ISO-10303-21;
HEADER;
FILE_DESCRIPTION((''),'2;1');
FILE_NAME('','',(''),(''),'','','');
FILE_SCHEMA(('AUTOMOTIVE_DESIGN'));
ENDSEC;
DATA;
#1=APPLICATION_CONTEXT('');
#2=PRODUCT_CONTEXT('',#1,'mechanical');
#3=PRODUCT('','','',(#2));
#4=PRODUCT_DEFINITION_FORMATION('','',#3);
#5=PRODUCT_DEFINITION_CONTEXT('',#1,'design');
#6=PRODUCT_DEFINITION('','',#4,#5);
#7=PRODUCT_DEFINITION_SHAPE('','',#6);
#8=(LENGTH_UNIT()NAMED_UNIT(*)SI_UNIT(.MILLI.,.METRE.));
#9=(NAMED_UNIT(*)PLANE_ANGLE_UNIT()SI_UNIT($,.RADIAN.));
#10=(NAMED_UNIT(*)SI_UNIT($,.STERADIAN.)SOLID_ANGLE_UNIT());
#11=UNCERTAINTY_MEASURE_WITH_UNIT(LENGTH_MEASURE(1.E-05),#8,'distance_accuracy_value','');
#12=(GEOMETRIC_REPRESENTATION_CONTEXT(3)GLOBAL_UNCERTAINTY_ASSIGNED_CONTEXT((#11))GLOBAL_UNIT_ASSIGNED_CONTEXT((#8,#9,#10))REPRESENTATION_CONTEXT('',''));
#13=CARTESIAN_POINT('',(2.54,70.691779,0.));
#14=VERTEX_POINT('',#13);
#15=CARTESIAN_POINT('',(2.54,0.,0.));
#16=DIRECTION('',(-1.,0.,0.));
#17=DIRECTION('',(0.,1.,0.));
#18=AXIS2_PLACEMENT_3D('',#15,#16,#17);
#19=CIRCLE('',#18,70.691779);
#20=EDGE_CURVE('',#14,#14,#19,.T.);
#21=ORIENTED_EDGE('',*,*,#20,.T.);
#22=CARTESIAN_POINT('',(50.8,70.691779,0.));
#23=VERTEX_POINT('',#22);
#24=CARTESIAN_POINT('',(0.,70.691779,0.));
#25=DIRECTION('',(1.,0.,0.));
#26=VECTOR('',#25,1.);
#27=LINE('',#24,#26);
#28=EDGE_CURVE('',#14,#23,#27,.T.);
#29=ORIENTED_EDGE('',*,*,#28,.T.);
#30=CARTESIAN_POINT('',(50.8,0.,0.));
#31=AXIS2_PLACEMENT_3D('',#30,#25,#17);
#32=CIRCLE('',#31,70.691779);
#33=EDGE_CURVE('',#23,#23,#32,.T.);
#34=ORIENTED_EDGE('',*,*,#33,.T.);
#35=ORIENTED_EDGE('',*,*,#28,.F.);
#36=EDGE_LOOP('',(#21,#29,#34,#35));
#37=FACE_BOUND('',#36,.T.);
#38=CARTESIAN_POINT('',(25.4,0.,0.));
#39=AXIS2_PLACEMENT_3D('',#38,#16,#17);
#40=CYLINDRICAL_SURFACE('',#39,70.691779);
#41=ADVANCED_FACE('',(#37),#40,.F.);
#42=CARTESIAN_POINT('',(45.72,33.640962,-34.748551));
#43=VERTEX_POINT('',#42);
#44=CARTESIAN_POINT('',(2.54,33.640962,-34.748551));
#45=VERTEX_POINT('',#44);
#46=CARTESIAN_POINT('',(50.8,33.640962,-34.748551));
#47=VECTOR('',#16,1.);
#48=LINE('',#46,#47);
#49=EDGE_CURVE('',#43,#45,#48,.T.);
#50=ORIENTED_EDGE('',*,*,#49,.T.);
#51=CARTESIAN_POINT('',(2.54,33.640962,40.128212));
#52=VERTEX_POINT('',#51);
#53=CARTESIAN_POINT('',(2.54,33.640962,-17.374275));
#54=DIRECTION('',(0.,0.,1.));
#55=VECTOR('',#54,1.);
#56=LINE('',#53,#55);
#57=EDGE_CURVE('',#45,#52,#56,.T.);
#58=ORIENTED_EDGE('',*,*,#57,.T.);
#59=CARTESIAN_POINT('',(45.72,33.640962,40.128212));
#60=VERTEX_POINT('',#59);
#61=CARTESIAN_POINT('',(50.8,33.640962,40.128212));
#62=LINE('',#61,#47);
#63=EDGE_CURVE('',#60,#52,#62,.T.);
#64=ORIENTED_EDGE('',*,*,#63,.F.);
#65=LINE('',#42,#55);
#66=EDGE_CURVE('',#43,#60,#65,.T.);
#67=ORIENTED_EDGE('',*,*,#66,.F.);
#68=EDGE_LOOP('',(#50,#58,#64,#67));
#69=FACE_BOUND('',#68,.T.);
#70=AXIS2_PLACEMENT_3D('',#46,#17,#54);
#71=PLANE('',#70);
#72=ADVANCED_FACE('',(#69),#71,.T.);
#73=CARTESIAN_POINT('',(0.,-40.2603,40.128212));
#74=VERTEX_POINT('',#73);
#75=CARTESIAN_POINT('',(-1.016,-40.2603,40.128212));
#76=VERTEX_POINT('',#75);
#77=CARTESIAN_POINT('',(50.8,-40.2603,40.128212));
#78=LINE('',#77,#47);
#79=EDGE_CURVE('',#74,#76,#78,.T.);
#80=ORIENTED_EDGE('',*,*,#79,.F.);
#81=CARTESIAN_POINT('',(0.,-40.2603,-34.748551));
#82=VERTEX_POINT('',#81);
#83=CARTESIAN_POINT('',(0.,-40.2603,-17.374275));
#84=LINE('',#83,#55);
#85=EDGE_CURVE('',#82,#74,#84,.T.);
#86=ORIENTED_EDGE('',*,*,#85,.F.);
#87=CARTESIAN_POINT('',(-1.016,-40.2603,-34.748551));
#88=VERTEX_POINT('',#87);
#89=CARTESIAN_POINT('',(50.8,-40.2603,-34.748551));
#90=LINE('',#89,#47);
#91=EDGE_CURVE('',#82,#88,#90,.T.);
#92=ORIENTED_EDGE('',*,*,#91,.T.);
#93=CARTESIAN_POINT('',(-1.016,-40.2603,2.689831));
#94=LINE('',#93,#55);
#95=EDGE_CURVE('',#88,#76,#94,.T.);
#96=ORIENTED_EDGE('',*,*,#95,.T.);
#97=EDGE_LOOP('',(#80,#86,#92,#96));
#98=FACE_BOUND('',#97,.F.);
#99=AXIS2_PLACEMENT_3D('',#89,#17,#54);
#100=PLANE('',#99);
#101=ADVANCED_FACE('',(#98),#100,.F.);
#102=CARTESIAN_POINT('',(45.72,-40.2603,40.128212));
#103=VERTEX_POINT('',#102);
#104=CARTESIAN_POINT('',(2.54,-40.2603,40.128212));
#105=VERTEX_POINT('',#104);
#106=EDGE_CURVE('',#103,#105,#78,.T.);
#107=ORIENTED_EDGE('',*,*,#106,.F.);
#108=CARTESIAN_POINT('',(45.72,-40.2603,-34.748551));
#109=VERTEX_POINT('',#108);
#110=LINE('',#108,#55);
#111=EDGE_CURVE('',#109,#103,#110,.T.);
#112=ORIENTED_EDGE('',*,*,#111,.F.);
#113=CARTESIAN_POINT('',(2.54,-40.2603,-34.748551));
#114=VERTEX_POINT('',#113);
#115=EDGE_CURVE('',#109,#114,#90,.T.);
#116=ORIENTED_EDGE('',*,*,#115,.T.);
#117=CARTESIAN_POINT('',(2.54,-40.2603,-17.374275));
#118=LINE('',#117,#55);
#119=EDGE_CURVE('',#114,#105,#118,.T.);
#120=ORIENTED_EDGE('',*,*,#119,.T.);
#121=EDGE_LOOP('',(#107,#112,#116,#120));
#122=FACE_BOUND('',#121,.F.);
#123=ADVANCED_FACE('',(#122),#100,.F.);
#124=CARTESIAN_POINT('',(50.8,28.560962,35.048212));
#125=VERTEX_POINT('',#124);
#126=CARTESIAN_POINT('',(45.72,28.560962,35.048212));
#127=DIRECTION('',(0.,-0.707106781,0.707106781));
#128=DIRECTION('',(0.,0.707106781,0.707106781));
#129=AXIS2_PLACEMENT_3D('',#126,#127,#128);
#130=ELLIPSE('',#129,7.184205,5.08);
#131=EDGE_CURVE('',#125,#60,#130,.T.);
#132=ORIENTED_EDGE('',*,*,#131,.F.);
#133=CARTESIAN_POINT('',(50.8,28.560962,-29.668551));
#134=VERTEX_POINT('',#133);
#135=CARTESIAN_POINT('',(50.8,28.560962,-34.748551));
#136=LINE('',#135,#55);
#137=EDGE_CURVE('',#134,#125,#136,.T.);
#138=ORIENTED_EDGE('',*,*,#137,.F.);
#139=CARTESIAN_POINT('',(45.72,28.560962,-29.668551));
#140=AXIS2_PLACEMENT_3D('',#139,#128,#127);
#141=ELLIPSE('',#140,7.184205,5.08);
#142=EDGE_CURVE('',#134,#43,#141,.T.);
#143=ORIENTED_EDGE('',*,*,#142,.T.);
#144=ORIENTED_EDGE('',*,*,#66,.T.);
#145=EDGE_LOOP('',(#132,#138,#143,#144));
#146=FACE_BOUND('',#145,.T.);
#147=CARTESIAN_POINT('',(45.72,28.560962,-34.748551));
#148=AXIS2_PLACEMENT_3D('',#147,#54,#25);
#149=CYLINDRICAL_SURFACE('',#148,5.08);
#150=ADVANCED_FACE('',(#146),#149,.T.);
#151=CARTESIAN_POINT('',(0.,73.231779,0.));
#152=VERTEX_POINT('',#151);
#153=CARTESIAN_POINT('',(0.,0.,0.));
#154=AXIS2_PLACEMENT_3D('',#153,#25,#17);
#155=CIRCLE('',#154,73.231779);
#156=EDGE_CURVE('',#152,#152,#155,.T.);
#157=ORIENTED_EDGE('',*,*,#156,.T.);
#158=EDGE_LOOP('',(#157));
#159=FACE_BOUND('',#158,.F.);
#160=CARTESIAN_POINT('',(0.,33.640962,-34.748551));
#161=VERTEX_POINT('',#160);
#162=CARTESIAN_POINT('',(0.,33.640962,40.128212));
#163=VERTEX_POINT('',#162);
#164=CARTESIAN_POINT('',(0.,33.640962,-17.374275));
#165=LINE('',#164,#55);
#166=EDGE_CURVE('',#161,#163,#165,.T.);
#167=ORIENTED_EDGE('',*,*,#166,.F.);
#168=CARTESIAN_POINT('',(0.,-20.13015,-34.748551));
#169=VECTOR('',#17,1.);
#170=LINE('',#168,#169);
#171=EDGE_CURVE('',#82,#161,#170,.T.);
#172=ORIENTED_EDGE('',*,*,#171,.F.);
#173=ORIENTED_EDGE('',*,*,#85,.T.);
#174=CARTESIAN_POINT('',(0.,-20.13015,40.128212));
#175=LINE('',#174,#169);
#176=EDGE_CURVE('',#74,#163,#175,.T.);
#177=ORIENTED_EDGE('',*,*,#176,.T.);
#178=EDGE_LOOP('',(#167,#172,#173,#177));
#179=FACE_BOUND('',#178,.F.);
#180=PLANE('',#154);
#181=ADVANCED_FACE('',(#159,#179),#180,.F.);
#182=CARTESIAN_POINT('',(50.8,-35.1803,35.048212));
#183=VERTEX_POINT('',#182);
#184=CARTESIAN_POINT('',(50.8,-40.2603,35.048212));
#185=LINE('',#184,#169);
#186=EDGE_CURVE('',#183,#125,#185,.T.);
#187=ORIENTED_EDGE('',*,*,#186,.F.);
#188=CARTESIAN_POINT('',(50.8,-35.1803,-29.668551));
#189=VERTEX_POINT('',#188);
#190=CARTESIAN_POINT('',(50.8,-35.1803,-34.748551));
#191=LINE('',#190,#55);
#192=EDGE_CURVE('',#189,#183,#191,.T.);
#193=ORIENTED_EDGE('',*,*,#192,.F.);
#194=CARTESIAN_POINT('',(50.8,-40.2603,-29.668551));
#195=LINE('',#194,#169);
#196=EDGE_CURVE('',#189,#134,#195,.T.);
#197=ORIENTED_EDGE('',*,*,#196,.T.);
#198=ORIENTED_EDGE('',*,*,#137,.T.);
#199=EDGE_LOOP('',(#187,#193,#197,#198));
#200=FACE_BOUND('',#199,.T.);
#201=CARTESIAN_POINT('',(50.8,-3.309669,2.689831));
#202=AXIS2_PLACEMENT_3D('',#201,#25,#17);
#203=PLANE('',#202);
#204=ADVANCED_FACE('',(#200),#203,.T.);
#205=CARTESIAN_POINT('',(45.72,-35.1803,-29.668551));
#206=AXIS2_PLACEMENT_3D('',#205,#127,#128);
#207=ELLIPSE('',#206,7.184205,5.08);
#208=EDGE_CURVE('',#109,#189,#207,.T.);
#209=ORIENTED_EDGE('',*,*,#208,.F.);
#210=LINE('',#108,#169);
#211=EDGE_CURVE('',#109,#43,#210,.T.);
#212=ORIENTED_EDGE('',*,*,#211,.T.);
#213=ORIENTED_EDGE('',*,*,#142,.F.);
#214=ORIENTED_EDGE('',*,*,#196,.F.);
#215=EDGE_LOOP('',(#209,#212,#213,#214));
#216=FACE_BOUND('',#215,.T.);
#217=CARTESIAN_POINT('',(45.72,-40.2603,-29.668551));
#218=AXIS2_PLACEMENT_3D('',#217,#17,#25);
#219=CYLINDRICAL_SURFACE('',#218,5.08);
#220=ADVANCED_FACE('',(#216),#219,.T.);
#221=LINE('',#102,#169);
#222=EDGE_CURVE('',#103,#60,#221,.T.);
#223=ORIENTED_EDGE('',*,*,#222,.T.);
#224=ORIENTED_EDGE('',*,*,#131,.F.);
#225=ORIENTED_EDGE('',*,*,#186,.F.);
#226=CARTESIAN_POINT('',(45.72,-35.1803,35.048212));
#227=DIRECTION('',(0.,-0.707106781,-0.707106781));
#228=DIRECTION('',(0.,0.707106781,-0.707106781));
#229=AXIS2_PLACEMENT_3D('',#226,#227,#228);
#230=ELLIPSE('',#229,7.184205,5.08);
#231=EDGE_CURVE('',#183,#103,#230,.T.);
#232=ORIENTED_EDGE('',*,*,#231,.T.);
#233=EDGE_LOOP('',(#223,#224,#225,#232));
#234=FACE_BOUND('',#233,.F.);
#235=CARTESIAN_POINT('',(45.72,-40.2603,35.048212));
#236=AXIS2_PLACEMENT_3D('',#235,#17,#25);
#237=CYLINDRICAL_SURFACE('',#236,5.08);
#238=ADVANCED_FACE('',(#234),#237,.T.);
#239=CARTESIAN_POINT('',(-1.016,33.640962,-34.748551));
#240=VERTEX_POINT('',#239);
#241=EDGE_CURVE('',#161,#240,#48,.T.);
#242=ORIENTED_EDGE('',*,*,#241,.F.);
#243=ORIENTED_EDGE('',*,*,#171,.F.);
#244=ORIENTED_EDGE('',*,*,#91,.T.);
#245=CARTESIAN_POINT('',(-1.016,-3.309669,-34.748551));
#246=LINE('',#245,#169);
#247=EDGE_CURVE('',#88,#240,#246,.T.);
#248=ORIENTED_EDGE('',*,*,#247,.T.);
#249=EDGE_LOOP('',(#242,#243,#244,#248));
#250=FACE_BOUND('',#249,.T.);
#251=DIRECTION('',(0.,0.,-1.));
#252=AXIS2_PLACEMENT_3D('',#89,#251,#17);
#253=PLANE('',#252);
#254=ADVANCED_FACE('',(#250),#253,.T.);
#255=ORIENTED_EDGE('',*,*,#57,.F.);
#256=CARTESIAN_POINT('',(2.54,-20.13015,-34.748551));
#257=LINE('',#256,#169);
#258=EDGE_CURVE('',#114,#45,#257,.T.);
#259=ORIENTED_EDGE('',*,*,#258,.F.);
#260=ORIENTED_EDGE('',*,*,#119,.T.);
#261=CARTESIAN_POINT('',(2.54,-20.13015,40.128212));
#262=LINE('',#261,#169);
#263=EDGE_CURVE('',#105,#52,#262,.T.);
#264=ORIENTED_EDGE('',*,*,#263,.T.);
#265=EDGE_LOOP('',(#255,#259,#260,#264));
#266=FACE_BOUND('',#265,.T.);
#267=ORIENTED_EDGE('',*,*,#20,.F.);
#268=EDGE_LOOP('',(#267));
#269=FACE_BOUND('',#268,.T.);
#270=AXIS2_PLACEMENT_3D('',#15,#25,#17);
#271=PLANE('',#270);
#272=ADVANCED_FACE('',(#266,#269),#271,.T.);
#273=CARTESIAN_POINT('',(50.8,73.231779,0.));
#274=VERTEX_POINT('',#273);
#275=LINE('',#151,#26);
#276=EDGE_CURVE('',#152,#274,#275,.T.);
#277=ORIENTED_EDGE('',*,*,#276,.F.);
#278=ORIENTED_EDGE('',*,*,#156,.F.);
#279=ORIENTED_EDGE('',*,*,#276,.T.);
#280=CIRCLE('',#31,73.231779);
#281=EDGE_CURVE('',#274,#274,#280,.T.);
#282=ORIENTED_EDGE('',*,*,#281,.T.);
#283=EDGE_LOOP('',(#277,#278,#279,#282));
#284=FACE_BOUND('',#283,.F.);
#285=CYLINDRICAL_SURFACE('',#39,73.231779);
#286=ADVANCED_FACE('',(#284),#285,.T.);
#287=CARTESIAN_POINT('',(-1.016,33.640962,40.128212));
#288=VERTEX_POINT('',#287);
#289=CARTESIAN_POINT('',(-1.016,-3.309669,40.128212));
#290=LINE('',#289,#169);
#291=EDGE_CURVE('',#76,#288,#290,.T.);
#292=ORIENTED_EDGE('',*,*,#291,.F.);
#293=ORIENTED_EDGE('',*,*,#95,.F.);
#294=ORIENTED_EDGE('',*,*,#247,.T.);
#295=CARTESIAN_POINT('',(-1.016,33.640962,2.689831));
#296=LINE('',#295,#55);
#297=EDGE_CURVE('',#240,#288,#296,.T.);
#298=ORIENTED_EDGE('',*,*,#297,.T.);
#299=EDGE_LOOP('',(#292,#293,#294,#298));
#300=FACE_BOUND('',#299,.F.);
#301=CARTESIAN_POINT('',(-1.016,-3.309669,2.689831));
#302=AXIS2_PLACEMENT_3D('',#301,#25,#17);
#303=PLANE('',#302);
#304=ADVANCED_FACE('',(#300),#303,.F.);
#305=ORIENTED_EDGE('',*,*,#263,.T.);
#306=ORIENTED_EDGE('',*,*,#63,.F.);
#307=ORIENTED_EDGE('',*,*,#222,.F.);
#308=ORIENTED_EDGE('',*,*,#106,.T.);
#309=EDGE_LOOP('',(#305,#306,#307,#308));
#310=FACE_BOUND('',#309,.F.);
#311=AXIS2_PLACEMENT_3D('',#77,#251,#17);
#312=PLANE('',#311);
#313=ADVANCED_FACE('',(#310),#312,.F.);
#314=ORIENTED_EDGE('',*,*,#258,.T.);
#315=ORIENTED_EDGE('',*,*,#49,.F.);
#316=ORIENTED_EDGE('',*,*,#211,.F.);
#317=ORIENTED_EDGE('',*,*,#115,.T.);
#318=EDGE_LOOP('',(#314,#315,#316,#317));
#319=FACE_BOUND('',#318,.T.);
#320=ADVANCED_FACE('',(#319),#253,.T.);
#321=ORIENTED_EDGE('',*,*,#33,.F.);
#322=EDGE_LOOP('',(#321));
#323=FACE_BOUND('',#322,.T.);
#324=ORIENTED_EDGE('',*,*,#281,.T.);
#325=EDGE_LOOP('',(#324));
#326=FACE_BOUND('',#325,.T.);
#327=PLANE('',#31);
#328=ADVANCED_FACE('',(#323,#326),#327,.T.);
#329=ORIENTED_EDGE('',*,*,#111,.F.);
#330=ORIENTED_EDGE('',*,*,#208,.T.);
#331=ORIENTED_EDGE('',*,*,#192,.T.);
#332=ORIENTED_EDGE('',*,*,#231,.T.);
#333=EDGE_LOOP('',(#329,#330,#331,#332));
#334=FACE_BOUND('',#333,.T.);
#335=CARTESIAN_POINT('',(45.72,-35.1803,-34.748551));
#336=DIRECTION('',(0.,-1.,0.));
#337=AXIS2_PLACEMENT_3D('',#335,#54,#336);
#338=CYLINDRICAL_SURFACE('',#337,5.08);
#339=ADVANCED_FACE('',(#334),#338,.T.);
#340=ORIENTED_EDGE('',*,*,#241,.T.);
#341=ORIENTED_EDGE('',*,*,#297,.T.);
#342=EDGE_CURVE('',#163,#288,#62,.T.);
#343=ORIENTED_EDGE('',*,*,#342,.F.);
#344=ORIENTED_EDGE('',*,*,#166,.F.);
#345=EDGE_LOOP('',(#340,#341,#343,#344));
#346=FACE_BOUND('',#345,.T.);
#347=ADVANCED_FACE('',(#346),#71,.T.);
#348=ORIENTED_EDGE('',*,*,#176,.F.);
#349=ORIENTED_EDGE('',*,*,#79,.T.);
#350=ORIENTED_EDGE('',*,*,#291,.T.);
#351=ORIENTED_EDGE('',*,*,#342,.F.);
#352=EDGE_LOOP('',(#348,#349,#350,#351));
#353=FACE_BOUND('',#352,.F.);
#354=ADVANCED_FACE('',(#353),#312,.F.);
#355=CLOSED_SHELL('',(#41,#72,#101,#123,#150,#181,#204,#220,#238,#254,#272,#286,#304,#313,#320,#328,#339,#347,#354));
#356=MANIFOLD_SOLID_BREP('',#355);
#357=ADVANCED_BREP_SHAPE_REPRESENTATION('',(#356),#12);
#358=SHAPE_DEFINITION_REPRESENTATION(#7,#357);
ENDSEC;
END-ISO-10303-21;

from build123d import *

# Parameters (mm, degrees)
F0_R     = 73.2317789394
F1_DEPTH = 25.4
F2_DEPTH = 25.4
F4_T     = -2.54
F3_W     = 73.9012621343
F3_H     = 74.8767629266
F5_DEPTH = 51.816
F6_R     = 5.08


with BuildPart() as f1:
    # F0 (on Right) → F1 (new body)
    with BuildSketch(Plane.YZ):
        Circle(F0_R)
    extrude(amount=F1_DEPTH)

    # F2 (add): a face of the model
    f2_faces = [f1.faces().sort_by_distance(p)[0] for p in [
        (25.4, 0, 0),
    ]]
    extrude(f2_faces, amount=F2_DEPTH)

    # F4
    f4_openings = [f1.faces().sort_by_distance(p)[0] for p in [
        (50.8, 0, 0),
    ]]
    offset(amount=F4_T, openings=f4_openings)

    # F3 (on face) → F5 (join)
    with BuildSketch(Plane.YZ.offset(50.8)):
        with Locations((-3.3096689731, 2.6898309588)):
            Rectangle(F3_W, F3_H)
    extrude(amount=-F5_DEPTH)

    # F6
    f6_edges = [f1.edges().sort_by_distance(p)[0] for p in [
        (50.8, -3.309669, 40.128212),
        (50.8, -40.2603, 2.689831),
        (50.8, 33.640962, 2.689831),
        (50.8, -3.309669, -34.748551),
    ]]
    fillet(f6_edges, radius=F6_R)


solid = f1.part
